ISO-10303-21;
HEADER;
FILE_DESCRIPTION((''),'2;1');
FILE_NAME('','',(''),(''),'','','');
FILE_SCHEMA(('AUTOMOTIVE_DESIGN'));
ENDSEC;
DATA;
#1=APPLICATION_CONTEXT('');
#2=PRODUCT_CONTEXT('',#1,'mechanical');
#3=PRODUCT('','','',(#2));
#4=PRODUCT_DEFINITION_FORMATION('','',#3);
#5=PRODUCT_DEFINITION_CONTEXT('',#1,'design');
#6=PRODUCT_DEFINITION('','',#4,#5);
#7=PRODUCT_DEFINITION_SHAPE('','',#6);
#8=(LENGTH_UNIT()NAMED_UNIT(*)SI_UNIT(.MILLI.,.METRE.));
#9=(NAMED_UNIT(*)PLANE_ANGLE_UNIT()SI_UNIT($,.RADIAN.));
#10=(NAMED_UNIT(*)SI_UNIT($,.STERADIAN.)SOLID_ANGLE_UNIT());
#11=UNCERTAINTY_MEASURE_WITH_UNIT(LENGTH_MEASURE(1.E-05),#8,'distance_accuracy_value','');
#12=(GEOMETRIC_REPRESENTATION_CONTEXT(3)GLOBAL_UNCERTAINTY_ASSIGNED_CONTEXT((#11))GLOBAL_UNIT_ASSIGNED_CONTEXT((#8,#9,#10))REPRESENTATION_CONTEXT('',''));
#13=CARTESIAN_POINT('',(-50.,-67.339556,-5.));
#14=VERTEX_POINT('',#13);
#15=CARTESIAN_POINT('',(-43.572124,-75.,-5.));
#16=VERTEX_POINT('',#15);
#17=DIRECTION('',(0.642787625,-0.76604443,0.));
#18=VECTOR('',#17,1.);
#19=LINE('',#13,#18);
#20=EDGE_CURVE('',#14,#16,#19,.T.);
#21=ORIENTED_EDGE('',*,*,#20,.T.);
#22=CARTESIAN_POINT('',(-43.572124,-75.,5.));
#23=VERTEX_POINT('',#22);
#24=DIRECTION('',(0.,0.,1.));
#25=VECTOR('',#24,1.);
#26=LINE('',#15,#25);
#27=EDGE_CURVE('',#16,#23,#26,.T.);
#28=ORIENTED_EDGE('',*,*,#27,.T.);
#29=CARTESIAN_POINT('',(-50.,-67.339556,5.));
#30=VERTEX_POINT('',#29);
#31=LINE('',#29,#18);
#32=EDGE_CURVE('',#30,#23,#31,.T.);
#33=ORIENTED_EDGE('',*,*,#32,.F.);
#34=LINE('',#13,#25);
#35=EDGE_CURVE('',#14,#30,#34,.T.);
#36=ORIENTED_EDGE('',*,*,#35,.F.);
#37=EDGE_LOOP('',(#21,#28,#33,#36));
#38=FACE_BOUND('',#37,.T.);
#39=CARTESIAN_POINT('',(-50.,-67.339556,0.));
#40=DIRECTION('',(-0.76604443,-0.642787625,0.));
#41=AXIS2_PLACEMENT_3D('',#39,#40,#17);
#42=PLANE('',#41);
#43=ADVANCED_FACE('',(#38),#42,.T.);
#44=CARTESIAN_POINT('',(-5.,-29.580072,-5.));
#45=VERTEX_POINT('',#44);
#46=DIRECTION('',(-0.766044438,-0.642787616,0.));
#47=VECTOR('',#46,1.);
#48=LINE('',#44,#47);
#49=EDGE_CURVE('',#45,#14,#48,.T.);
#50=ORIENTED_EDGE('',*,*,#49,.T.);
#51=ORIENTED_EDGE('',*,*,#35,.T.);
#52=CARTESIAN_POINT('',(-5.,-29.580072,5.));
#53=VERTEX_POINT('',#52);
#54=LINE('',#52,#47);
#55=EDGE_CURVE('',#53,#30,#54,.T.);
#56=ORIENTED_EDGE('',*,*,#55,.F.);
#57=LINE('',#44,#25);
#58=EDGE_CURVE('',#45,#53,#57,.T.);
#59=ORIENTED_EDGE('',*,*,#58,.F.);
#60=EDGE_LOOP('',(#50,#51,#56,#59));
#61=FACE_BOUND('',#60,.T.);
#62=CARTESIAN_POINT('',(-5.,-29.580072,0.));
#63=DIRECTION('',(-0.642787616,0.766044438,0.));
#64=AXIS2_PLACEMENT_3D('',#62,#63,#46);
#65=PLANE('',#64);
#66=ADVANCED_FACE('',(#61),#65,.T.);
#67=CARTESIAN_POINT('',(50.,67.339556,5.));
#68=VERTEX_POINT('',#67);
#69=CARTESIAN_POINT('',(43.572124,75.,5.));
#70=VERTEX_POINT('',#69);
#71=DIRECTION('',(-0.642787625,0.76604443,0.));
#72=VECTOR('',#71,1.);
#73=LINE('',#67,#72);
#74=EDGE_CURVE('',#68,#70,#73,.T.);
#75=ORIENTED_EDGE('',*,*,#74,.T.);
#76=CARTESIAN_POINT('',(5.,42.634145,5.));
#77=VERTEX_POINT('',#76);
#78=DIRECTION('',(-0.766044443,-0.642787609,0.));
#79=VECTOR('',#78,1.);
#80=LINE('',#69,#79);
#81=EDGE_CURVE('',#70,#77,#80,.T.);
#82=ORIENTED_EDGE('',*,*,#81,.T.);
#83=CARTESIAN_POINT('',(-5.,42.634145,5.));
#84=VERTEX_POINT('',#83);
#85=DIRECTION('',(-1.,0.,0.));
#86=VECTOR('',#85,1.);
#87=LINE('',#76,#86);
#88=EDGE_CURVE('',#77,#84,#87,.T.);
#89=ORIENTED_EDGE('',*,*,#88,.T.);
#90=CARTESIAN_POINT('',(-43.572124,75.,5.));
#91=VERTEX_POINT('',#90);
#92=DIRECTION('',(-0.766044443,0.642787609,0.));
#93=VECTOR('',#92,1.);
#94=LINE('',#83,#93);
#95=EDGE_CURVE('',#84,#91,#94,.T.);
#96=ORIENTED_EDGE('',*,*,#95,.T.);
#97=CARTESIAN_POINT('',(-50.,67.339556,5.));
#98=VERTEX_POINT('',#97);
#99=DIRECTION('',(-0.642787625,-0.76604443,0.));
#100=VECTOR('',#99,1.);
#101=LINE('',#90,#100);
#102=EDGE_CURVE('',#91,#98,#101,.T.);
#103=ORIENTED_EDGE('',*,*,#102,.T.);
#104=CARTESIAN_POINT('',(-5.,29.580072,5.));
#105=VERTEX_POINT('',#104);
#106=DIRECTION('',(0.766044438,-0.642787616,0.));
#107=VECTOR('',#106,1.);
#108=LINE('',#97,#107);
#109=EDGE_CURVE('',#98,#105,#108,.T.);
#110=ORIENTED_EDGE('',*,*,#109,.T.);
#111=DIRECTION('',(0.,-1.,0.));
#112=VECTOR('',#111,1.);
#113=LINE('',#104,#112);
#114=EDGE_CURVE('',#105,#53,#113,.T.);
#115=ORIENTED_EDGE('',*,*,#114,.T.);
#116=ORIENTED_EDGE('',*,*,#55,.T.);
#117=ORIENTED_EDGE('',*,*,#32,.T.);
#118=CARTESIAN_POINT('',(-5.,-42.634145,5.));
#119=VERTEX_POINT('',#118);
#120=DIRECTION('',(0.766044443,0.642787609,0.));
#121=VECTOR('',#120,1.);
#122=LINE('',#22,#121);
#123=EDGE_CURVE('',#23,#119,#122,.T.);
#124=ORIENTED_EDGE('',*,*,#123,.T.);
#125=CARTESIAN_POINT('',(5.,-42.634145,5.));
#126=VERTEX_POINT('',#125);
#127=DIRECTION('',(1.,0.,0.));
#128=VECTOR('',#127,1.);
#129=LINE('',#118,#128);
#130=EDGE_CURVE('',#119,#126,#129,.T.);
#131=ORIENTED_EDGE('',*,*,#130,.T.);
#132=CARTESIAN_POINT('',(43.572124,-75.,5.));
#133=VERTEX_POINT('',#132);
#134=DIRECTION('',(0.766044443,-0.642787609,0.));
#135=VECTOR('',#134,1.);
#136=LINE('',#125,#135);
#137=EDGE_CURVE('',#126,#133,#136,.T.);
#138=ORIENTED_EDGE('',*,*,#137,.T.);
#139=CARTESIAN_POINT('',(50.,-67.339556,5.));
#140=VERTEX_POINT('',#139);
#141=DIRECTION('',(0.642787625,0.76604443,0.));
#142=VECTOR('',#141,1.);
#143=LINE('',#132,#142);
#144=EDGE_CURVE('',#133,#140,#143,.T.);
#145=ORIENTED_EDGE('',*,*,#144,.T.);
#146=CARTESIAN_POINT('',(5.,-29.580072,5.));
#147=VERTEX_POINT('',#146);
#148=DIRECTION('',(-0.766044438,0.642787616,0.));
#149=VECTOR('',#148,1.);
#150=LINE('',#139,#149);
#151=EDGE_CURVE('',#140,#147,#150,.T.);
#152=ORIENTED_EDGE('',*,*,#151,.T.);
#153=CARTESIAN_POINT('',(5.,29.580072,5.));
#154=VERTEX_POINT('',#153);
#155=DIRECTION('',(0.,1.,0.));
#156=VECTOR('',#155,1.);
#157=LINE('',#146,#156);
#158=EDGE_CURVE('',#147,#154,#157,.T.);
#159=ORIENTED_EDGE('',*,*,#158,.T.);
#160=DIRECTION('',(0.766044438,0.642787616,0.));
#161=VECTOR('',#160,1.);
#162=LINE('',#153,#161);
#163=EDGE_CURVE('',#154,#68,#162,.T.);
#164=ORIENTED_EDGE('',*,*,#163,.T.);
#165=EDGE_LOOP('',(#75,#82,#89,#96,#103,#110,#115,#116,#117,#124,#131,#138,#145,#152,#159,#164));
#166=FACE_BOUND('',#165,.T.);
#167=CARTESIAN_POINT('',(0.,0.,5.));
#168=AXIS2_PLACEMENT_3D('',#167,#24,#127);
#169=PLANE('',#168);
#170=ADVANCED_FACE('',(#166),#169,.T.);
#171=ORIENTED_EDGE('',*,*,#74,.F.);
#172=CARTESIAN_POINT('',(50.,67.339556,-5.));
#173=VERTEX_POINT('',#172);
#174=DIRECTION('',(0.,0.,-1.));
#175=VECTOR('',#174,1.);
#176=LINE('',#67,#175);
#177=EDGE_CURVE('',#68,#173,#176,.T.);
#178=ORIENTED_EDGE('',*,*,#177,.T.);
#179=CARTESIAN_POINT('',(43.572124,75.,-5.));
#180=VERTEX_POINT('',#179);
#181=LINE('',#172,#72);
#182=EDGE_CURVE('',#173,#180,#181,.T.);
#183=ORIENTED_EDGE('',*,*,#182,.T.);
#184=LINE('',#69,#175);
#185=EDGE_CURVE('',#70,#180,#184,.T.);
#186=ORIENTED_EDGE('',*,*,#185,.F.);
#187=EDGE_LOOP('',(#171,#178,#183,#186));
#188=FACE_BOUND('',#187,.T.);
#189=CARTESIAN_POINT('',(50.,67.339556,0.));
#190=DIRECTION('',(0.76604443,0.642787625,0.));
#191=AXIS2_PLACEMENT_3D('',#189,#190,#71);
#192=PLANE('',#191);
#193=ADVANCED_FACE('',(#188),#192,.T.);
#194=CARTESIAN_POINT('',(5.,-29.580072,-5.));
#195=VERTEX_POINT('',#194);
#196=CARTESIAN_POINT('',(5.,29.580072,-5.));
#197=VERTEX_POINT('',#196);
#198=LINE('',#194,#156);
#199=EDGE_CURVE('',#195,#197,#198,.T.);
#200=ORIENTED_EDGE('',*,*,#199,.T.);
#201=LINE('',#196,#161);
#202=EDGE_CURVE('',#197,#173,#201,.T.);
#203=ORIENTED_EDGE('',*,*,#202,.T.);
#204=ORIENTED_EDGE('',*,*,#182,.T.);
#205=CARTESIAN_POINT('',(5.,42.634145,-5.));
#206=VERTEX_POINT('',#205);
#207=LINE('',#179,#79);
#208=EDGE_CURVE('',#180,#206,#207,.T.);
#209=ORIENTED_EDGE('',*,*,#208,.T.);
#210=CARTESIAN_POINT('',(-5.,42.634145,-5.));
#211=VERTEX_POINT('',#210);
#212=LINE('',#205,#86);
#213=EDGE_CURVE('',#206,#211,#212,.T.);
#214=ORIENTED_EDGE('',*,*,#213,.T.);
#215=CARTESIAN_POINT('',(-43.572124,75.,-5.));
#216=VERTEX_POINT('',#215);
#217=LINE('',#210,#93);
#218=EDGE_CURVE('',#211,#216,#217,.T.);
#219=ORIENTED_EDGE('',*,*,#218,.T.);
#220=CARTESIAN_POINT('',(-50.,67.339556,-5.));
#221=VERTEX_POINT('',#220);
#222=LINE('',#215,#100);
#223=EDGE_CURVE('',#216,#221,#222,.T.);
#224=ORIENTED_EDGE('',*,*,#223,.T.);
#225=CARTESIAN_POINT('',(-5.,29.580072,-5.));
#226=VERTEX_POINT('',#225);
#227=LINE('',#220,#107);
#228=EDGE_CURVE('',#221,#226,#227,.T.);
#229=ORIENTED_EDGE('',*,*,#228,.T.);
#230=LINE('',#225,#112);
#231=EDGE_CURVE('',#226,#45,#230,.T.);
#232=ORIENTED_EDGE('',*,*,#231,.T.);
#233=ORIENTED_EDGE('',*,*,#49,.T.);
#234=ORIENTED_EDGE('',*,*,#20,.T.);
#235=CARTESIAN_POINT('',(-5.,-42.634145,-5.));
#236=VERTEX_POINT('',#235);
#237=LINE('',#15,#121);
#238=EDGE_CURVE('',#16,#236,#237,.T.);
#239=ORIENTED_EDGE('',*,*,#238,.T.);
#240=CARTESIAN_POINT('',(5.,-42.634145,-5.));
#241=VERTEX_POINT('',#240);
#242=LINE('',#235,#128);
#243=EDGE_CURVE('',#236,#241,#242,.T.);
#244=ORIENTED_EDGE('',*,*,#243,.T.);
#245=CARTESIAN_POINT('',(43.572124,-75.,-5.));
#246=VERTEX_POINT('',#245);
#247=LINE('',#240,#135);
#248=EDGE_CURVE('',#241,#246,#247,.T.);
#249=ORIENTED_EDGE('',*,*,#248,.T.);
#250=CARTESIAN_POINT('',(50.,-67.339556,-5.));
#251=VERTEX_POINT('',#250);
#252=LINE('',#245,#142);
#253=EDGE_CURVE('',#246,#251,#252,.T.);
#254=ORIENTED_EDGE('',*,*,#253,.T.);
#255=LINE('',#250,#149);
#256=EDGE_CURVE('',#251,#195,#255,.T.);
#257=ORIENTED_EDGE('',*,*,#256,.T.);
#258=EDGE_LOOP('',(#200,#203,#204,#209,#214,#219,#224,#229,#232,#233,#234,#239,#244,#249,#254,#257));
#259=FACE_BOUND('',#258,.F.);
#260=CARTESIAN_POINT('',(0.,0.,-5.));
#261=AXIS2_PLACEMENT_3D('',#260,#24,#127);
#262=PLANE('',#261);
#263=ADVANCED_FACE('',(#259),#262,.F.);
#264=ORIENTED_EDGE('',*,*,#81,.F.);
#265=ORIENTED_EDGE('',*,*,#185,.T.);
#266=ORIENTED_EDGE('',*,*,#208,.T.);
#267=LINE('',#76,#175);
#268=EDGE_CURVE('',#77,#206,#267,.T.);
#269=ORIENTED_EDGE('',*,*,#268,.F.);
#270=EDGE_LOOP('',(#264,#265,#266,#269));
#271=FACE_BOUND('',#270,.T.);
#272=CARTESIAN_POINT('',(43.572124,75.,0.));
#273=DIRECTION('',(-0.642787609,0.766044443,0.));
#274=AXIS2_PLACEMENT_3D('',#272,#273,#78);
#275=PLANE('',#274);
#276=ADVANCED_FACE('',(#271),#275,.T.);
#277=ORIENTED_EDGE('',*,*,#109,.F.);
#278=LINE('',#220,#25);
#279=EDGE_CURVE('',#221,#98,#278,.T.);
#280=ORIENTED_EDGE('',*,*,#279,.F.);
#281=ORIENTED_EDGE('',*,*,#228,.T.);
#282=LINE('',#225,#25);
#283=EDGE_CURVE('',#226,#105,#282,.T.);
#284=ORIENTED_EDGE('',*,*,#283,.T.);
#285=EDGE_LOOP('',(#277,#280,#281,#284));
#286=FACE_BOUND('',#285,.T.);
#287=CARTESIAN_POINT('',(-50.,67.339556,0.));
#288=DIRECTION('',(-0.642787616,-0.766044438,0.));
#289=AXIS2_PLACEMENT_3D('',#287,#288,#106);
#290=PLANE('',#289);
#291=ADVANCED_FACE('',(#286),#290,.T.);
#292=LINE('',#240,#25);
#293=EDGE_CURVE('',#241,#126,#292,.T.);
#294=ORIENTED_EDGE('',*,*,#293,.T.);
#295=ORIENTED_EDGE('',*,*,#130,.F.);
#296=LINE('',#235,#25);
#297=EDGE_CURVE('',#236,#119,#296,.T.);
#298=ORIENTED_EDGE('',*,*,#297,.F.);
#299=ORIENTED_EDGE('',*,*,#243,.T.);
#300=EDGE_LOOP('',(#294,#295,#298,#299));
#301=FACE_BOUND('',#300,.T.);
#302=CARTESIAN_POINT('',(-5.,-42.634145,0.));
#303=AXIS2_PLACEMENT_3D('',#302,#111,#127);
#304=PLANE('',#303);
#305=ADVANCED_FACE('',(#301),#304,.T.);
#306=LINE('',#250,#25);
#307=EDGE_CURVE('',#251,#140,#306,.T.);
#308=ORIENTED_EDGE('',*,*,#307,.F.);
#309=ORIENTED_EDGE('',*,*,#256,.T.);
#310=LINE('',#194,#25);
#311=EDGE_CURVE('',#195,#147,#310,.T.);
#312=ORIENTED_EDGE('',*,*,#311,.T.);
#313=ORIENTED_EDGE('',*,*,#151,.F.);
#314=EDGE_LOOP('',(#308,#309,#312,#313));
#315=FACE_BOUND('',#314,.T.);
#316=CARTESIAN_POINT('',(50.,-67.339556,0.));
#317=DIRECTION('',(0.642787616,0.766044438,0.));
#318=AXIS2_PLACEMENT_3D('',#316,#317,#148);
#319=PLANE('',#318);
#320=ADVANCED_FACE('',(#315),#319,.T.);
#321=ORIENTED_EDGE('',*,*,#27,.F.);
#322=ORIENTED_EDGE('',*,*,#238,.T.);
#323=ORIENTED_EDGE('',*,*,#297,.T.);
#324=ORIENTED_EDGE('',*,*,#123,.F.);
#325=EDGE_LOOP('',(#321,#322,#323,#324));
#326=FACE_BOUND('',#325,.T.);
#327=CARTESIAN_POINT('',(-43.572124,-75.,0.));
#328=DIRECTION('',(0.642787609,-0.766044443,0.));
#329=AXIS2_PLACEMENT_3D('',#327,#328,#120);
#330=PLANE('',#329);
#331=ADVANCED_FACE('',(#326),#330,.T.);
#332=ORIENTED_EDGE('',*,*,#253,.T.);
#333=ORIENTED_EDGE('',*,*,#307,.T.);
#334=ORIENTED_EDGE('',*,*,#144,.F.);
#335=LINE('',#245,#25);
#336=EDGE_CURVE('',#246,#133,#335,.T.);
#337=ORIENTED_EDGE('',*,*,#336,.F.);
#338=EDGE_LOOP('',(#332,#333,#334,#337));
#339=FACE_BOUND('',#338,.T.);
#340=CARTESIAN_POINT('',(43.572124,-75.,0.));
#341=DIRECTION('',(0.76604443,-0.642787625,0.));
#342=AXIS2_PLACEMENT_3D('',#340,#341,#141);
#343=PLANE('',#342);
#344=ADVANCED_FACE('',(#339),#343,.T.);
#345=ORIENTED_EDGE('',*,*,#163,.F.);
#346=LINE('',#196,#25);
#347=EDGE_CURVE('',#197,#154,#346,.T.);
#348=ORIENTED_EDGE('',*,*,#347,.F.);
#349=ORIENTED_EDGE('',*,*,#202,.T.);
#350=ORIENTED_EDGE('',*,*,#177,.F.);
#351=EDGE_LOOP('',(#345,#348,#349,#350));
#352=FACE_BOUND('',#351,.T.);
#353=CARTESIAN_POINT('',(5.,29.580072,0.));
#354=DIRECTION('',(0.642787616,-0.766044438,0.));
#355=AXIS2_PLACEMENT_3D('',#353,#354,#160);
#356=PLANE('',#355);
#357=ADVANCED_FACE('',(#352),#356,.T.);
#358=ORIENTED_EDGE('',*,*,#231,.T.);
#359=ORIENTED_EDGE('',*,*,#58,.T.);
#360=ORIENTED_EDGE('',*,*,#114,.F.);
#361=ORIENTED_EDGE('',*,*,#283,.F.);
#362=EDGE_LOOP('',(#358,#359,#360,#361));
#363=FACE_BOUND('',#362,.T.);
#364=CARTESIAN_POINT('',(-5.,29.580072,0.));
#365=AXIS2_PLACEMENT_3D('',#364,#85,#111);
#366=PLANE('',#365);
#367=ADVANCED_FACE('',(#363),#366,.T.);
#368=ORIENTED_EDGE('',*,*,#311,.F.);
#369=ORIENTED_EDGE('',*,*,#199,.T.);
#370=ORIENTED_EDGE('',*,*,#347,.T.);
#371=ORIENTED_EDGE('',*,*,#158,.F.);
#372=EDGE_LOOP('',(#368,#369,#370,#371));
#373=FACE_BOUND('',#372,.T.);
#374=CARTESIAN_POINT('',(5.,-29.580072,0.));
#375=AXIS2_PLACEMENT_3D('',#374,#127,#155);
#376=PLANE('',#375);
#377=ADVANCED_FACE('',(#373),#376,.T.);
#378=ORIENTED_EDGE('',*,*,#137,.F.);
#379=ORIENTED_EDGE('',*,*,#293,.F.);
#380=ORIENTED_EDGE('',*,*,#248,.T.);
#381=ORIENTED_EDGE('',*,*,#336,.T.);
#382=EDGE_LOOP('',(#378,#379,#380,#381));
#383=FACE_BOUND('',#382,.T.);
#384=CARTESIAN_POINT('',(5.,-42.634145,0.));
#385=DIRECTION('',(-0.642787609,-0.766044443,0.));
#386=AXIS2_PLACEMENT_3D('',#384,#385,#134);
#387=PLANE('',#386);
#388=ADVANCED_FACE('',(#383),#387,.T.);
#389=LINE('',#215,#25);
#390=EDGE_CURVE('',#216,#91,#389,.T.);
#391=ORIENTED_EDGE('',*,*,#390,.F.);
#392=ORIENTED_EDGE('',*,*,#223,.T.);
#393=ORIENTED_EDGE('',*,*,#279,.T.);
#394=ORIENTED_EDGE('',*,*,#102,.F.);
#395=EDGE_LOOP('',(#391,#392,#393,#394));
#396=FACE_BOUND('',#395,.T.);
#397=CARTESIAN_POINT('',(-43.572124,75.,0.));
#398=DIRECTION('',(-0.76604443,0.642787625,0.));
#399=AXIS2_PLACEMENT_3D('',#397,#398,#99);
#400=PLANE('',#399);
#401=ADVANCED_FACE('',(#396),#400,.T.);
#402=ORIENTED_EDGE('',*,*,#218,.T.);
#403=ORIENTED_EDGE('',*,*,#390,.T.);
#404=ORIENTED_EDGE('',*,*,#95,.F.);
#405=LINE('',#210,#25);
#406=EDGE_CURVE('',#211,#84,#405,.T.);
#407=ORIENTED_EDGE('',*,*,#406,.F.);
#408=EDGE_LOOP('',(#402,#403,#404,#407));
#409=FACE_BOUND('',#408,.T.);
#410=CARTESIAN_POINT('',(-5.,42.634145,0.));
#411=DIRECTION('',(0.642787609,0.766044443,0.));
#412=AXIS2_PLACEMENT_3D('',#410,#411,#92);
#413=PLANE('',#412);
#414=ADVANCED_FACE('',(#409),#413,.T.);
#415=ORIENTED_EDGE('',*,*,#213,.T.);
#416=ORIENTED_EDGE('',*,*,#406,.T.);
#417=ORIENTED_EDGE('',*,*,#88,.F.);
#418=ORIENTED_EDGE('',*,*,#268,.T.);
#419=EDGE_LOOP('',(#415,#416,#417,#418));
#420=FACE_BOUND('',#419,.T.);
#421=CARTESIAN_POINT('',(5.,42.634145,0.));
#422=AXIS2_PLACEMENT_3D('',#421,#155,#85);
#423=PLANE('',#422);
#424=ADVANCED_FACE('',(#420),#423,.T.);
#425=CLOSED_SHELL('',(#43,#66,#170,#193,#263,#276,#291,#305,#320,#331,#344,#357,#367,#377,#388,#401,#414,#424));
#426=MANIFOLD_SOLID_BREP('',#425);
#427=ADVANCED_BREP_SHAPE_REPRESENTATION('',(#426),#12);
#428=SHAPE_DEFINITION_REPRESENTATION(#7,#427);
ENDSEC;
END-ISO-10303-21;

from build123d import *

# Parameters (mm, degrees)
F1_DEPTH = 5


with BuildPart() as f1:
    # F0 (on Top) → F1 (new body, symmetric)
    with BuildSketch(Plane.XY):
        Polygon((5, 42.634145), (-5, 42.634145), (-43.572124, 75), (-50, 67.339556), (-5, 29.580072), (-5, -29.580072), (-50, -67.339556), (-43.572124, -75), (-5, -42.634145), (5, -42.634145), (43.572124, -75), (50, -67.339556), (5, -29.580072), (5, 29.580072), (50, 67.339556), (43.572124, 75), align=None)
    extrude(amount=F1_DEPTH, both=True)


solid = f1.part
